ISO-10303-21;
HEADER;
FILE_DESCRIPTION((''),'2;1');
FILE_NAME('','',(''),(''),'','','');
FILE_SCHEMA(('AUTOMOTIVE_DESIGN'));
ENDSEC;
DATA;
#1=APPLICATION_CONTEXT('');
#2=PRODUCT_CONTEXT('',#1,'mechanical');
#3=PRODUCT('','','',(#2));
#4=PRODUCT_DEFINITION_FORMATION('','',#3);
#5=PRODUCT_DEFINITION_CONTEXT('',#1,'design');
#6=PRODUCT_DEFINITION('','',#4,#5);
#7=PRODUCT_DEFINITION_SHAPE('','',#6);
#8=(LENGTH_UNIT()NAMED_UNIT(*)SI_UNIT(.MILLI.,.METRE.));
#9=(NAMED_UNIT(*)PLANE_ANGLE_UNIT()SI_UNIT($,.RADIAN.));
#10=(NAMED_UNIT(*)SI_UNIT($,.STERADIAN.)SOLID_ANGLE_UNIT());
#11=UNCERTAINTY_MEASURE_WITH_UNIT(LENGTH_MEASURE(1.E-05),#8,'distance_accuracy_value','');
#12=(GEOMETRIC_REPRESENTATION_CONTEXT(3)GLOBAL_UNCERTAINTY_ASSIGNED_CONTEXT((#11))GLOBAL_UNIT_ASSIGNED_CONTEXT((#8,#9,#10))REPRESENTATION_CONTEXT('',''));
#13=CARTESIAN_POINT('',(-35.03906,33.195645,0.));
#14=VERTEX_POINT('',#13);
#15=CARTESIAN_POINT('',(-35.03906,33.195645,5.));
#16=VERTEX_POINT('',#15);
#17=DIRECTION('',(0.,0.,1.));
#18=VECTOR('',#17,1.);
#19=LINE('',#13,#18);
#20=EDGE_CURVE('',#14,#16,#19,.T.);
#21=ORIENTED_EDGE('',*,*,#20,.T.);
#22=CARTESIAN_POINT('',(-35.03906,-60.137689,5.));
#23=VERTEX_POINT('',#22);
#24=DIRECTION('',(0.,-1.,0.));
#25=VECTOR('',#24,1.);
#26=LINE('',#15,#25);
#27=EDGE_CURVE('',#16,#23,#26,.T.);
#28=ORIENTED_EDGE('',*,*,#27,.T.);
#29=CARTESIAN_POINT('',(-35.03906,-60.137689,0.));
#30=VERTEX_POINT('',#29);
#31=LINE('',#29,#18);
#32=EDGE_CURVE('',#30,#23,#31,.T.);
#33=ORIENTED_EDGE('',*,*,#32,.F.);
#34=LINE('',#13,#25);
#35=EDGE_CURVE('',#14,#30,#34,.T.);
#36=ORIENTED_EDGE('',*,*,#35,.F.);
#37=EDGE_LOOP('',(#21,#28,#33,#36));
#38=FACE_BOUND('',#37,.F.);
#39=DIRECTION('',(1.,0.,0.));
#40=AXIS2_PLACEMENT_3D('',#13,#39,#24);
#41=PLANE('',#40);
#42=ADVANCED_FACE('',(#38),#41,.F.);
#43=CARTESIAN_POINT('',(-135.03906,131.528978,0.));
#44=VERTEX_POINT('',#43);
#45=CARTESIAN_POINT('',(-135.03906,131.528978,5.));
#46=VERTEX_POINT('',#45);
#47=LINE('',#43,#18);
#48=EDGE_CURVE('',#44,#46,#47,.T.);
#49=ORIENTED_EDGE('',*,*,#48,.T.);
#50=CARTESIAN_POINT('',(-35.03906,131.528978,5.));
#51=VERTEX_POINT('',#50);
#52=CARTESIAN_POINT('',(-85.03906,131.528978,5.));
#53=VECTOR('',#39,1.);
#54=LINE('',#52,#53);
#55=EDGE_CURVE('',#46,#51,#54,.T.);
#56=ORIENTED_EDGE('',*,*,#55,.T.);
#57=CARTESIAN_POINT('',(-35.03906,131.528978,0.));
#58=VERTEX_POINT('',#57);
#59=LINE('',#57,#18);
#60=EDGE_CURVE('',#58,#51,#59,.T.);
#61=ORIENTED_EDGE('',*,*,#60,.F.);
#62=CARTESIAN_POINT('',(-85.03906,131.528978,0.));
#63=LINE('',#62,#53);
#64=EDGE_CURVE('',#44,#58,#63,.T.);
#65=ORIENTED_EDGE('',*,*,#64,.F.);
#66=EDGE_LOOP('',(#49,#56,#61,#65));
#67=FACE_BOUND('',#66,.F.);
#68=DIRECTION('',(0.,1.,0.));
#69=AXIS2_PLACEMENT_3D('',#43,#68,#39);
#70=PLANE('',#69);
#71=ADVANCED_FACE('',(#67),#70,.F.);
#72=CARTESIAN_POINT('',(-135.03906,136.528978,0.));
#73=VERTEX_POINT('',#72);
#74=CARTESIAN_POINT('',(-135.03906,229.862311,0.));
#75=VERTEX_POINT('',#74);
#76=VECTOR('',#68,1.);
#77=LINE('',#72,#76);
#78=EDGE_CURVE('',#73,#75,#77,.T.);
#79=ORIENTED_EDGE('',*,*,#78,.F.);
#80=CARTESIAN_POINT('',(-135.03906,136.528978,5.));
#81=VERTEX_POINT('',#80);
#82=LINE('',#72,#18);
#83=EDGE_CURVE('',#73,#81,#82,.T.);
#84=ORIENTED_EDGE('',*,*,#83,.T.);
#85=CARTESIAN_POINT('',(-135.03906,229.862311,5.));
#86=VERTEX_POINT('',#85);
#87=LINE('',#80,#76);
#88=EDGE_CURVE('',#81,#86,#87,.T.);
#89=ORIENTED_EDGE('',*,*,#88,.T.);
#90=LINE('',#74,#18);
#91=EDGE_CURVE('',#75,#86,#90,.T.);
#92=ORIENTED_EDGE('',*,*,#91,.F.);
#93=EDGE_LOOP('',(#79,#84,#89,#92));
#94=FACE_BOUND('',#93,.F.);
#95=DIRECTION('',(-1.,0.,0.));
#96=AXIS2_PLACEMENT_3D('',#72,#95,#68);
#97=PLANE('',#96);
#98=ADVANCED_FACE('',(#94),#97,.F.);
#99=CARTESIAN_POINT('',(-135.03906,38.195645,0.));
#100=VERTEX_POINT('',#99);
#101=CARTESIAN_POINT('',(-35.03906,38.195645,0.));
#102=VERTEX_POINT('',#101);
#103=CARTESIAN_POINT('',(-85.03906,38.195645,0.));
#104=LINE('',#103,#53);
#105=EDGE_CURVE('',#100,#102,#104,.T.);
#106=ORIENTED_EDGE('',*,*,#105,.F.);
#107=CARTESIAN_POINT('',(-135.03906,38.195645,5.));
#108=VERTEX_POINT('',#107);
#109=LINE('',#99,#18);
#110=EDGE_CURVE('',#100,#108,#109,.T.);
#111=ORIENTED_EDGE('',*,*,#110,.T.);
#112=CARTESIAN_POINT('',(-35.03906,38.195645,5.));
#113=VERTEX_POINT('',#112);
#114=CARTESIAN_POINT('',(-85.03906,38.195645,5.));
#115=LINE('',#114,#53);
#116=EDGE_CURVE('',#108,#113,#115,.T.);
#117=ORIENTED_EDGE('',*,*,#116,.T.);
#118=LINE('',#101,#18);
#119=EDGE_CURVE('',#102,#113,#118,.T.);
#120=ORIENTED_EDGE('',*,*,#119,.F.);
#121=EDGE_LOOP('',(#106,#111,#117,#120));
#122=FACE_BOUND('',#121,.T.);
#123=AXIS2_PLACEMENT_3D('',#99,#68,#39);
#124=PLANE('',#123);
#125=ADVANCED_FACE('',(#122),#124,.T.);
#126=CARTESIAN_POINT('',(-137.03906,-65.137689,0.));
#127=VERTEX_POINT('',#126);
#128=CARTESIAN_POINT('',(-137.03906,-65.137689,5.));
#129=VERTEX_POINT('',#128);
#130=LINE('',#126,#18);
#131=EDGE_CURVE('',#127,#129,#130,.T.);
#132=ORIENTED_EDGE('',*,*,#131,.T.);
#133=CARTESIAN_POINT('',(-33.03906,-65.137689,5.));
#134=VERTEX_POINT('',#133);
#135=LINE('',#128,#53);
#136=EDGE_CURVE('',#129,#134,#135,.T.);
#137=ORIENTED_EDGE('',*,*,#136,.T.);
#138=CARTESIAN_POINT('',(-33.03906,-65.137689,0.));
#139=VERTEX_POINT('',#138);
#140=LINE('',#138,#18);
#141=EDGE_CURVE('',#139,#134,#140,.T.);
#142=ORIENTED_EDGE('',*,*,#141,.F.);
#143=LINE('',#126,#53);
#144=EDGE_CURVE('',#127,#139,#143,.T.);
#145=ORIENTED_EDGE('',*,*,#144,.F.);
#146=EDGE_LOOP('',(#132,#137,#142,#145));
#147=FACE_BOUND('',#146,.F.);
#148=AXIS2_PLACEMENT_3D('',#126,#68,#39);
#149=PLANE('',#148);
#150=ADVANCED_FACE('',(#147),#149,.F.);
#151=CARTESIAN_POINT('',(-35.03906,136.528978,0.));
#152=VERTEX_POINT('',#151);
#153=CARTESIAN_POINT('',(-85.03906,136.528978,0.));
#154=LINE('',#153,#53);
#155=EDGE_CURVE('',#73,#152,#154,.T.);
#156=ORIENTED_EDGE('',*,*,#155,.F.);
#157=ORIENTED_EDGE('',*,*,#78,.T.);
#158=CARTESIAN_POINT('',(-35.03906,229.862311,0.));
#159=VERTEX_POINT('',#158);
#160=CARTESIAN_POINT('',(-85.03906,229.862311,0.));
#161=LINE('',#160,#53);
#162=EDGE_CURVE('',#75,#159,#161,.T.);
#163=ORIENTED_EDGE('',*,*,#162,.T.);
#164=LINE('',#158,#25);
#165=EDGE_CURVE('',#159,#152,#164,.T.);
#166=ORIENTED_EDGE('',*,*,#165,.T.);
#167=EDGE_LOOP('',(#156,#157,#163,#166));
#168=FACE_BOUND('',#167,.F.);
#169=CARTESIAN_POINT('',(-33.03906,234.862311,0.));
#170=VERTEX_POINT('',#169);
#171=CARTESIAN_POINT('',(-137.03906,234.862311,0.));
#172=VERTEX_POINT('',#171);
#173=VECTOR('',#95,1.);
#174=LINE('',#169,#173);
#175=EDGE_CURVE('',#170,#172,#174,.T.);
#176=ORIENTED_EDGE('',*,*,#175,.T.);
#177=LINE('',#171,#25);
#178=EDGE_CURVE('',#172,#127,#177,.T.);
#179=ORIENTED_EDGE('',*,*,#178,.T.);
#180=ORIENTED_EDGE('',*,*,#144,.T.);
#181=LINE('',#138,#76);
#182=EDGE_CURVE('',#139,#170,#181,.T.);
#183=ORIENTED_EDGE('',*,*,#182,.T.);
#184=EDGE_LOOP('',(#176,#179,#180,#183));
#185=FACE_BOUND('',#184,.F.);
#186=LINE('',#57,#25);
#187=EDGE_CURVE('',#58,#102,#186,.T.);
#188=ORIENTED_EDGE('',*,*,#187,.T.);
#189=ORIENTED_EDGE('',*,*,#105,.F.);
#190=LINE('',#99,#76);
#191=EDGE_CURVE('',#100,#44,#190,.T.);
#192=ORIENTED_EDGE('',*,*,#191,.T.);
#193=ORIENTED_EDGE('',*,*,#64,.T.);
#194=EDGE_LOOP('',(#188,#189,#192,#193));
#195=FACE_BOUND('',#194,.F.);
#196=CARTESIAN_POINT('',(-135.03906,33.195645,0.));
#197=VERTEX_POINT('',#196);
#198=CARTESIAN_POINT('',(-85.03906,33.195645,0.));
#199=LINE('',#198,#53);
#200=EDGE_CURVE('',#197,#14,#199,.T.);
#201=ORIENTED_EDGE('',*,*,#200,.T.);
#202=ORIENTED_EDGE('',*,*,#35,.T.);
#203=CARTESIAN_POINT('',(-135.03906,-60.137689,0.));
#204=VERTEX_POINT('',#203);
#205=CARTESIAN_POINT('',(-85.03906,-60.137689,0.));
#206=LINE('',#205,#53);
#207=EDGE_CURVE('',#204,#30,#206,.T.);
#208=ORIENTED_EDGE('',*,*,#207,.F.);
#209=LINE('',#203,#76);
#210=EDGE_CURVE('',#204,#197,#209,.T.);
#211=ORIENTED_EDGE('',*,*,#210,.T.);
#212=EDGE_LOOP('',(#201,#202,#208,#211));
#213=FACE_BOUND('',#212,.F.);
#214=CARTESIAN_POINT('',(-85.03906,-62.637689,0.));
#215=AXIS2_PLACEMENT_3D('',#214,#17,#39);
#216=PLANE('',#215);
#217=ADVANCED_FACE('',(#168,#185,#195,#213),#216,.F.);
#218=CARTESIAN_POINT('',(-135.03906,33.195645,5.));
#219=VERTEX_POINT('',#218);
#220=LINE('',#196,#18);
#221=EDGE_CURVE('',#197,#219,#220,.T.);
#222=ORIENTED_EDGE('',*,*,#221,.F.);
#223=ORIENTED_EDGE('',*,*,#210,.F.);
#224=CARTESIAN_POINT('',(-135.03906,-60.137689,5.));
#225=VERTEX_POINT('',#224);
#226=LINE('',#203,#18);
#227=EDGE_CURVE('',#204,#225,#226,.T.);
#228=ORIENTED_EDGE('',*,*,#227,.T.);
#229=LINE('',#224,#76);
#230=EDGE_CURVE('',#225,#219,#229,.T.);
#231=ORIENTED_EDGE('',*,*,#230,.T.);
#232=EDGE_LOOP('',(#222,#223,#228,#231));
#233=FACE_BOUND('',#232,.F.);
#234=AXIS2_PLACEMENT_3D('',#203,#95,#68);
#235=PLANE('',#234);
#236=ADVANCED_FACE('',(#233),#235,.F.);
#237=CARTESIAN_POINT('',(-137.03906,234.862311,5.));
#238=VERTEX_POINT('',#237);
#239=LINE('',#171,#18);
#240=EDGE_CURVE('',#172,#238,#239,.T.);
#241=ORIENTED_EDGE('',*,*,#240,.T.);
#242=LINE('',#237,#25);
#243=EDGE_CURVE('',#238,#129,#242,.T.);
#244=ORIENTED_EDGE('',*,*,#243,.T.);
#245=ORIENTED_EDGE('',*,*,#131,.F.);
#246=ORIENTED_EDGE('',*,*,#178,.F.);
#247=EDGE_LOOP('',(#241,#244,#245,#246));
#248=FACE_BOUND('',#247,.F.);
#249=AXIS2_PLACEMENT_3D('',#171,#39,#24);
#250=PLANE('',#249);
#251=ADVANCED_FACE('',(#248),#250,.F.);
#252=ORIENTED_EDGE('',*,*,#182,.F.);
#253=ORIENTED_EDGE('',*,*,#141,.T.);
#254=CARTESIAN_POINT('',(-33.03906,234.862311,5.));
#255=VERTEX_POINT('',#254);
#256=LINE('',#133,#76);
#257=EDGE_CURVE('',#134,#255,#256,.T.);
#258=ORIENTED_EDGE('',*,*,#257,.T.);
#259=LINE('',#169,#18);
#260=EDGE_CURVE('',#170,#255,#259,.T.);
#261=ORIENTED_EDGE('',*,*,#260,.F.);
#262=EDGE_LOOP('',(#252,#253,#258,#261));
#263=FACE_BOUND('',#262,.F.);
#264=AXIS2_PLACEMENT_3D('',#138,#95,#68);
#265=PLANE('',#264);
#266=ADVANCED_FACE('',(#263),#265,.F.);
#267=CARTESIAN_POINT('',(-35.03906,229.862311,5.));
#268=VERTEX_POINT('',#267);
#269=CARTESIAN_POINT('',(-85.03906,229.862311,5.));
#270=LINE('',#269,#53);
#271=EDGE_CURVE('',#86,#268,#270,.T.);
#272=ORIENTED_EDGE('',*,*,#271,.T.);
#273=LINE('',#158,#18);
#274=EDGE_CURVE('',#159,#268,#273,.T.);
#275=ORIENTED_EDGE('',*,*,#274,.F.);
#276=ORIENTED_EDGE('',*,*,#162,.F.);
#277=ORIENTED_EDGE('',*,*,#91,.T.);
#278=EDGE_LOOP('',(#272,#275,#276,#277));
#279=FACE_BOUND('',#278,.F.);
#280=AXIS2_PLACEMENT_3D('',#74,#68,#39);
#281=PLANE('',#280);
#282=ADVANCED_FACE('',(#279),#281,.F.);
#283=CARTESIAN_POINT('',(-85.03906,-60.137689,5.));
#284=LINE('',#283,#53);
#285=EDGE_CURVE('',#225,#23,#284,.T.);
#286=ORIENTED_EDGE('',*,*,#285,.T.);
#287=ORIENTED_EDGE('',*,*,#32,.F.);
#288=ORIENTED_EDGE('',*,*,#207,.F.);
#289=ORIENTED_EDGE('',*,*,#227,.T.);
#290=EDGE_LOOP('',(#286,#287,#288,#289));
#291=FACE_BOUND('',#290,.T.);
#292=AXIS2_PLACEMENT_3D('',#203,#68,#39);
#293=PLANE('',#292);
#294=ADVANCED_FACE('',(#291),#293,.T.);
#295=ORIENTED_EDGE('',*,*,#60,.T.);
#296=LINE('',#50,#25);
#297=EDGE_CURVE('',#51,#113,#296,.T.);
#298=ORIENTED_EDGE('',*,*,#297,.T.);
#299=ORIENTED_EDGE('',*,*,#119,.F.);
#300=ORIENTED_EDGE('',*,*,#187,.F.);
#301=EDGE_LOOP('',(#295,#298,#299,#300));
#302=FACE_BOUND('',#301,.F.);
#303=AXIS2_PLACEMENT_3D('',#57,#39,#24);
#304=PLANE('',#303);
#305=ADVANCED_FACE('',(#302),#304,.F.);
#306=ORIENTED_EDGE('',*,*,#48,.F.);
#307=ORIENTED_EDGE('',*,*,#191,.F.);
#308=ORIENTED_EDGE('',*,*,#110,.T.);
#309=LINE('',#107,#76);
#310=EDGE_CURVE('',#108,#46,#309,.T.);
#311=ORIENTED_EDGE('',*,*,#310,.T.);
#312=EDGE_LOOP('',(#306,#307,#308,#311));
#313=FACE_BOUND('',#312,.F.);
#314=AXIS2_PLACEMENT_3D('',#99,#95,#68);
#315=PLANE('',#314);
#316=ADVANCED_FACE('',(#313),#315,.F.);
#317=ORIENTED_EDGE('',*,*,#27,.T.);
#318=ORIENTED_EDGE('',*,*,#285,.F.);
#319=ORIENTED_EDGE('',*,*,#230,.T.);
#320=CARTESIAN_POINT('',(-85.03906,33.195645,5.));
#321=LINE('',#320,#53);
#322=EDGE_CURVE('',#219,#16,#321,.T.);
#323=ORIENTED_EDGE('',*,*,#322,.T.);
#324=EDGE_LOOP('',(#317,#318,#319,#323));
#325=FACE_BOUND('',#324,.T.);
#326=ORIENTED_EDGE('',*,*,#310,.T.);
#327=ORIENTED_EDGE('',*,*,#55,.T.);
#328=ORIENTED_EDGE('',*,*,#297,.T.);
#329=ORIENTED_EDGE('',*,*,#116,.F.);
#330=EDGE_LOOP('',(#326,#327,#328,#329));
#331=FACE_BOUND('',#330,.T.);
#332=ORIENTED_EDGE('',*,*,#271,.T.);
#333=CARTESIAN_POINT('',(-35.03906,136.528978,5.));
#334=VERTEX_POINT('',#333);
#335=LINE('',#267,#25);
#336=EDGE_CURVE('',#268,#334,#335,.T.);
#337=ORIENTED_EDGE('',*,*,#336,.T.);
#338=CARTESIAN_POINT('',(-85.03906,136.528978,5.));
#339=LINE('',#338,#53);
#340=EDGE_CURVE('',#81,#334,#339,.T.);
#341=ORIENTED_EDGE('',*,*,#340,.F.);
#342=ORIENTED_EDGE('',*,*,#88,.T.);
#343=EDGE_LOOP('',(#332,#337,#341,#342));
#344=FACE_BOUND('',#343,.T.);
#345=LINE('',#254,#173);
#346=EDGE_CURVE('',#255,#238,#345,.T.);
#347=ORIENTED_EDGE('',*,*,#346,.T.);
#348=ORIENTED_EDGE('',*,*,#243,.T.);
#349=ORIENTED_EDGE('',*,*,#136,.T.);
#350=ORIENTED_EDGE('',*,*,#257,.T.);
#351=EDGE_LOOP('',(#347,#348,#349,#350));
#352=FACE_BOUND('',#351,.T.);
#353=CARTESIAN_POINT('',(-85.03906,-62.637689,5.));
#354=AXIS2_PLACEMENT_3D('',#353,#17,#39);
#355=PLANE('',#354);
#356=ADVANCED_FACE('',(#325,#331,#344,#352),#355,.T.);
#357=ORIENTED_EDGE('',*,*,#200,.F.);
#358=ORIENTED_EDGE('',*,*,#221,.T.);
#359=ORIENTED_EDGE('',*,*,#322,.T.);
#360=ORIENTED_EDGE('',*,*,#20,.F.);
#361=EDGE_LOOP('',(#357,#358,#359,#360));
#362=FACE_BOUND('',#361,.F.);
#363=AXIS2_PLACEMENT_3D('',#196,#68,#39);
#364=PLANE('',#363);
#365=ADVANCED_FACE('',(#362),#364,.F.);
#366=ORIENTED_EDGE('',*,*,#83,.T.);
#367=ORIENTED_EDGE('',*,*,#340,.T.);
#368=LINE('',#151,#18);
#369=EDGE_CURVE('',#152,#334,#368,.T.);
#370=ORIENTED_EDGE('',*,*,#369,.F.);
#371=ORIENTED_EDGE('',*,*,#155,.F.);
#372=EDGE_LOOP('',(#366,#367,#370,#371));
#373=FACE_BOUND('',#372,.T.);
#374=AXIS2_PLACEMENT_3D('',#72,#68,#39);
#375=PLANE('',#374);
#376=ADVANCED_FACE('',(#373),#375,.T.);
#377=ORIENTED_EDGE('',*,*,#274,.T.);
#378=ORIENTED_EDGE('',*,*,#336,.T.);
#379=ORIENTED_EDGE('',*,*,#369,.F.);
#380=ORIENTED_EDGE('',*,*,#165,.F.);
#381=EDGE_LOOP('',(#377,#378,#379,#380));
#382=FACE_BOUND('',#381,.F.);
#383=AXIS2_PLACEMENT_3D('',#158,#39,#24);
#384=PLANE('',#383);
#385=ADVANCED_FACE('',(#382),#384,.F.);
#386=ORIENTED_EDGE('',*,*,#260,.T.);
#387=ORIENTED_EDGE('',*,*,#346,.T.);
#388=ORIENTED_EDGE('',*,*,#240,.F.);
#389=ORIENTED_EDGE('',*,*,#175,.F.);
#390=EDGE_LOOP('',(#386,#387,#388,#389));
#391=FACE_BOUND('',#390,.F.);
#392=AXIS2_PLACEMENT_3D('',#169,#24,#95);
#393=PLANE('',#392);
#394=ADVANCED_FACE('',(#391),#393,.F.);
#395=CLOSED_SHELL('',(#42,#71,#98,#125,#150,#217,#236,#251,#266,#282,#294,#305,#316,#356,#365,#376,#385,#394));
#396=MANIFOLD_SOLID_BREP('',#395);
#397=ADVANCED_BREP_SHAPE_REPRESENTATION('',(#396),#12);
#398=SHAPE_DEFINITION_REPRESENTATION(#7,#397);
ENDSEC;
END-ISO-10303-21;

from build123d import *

# Parameters (mm, degrees)
F0_W     = 100
F0_H     = 5
F1_DEPTH = 5


with BuildPart() as f1:
    # F0 (on Top) → F1 (new body)
    with BuildSketch(Plane.XY):
        with Locations((-85.03906, -62.637689)):
            Rectangle(F0_W, F0_H)
        with Locations((-85.03906, 35.695645)):
            Rectangle(F0_W, F0_H)
        with Locations((-85.03906, 134.028978)):
            Rectangle(F0_W, F0_H)
        with Locations((-85.03906, 232.362311)):
            Rectangle(F0_W, F0_H)
        Polygon((-135.03906, 229.862311), (-135.03906, 234.862311), (-137.03906, 234.862311), (-137.03906, -65.137689), (-135.03906, -65.137689), (-135.03906, -60.137689), (-135.03906, 33.195645), (-135.03906, 38.195645), (-135.03906, 131.528978), (-135.03906, 136.528978), align=None)
        Polygon((-33.03906, 234.862311), (-35.03906, 234.862311), (-35.03906, 229.862311), (-35.03906, 136.528978), (-35.03906, 131.528978), (-35.03906, 38.195645), (-35.03906, 33.195645), (-35.03906, -60.137689), (-35.03906, -65.137689), (-33.03906, -65.137689), align=None)
    extrude(amount=F1_DEPTH)


solid = f1.part
